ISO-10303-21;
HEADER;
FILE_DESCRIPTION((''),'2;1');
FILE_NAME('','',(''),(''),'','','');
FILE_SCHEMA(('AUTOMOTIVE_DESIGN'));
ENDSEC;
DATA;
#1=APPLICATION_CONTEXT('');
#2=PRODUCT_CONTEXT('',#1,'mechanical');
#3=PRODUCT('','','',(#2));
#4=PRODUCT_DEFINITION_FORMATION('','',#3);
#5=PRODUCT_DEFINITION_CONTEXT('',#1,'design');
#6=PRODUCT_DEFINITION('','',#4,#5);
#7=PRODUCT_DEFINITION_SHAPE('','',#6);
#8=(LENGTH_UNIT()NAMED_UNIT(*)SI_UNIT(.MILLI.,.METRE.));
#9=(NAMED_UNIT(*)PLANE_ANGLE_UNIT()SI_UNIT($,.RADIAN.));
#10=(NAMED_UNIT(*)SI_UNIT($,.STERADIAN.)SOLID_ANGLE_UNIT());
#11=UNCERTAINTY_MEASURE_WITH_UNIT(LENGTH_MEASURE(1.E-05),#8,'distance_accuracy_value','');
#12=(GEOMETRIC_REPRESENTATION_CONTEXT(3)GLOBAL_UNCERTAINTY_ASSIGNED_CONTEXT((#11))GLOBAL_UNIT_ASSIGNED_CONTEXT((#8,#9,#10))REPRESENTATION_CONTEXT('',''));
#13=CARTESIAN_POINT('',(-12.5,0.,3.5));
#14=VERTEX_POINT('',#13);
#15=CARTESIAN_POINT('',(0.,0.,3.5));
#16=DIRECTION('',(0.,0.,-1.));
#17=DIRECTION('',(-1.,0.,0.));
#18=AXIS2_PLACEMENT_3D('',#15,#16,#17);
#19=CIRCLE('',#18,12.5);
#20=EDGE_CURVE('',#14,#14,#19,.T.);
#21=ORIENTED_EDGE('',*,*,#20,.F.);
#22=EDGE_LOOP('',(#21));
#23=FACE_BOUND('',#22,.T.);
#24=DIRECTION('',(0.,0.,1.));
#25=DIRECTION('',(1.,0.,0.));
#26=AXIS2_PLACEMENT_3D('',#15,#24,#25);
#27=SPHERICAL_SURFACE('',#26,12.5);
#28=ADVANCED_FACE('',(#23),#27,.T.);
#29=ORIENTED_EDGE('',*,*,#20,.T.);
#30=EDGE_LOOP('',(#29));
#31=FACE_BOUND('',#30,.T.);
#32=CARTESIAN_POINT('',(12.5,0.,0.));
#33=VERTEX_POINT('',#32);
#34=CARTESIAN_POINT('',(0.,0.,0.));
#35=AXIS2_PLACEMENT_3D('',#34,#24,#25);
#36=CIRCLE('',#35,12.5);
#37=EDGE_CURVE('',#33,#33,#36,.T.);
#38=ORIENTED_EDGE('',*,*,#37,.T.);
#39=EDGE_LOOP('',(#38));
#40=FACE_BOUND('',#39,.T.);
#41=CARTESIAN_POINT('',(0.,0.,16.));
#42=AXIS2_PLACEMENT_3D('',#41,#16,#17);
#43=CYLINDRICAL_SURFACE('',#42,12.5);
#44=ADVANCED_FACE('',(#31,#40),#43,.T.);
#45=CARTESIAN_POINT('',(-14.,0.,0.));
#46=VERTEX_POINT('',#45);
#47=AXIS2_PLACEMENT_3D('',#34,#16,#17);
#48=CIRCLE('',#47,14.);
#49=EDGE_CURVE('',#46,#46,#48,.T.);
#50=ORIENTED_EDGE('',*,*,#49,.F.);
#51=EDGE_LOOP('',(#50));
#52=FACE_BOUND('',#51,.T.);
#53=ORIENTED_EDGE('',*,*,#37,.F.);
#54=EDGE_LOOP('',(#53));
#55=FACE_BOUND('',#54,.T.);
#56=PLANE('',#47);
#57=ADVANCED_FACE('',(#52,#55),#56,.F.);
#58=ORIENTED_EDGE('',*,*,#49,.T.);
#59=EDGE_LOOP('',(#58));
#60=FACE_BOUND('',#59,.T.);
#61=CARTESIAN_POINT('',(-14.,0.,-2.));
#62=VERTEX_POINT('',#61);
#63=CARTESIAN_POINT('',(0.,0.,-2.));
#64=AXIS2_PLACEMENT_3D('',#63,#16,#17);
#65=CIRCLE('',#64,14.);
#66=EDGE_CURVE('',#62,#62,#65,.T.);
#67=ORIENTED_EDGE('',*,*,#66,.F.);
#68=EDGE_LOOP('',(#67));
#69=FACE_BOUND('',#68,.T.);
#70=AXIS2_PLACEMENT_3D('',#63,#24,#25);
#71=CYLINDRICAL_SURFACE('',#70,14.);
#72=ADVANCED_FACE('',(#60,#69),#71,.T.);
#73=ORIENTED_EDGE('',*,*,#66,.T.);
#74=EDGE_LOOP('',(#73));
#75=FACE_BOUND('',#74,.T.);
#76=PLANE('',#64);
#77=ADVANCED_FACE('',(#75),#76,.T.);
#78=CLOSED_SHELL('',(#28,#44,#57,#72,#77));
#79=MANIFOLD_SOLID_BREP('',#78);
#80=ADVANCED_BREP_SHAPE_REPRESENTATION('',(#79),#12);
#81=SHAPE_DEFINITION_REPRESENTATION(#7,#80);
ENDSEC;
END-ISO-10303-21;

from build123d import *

# Parameters (mm, degrees)
SKETCH1_R           = 12.5
BOSS_EXTRUDE1_DEPTH = 16
FILLET1_R           = 12.5
SKETCH2_R           = 14
BOSS_EXTRUDE2_DEPTH = 2


with BuildPart() as part:
    # Sketch1 → Boss-Extrude1 (new body)
    with BuildSketch(Plane.XY):
        Circle(SKETCH1_R)
    extrude(amount=BOSS_EXTRUDE1_DEPTH)

    # Fillet1
    fillet1_edges = [part.edges().sort_by_distance(p)[0] for p in [
        (-12.5, 0, 16),
    ]]
    fillet(fillet1_edges, radius=FILLET1_R)

    # Sketch2 → Boss-Extrude2 (add)
    with BuildSketch(Plane(origin=(0, 0, 0), x_dir=(-1, 0, 0), z_dir=(0, 0, -1))):
        Circle(SKETCH2_R)
    extrude(amount=BOSS_EXTRUDE2_DEPTH)


solid = part.part
